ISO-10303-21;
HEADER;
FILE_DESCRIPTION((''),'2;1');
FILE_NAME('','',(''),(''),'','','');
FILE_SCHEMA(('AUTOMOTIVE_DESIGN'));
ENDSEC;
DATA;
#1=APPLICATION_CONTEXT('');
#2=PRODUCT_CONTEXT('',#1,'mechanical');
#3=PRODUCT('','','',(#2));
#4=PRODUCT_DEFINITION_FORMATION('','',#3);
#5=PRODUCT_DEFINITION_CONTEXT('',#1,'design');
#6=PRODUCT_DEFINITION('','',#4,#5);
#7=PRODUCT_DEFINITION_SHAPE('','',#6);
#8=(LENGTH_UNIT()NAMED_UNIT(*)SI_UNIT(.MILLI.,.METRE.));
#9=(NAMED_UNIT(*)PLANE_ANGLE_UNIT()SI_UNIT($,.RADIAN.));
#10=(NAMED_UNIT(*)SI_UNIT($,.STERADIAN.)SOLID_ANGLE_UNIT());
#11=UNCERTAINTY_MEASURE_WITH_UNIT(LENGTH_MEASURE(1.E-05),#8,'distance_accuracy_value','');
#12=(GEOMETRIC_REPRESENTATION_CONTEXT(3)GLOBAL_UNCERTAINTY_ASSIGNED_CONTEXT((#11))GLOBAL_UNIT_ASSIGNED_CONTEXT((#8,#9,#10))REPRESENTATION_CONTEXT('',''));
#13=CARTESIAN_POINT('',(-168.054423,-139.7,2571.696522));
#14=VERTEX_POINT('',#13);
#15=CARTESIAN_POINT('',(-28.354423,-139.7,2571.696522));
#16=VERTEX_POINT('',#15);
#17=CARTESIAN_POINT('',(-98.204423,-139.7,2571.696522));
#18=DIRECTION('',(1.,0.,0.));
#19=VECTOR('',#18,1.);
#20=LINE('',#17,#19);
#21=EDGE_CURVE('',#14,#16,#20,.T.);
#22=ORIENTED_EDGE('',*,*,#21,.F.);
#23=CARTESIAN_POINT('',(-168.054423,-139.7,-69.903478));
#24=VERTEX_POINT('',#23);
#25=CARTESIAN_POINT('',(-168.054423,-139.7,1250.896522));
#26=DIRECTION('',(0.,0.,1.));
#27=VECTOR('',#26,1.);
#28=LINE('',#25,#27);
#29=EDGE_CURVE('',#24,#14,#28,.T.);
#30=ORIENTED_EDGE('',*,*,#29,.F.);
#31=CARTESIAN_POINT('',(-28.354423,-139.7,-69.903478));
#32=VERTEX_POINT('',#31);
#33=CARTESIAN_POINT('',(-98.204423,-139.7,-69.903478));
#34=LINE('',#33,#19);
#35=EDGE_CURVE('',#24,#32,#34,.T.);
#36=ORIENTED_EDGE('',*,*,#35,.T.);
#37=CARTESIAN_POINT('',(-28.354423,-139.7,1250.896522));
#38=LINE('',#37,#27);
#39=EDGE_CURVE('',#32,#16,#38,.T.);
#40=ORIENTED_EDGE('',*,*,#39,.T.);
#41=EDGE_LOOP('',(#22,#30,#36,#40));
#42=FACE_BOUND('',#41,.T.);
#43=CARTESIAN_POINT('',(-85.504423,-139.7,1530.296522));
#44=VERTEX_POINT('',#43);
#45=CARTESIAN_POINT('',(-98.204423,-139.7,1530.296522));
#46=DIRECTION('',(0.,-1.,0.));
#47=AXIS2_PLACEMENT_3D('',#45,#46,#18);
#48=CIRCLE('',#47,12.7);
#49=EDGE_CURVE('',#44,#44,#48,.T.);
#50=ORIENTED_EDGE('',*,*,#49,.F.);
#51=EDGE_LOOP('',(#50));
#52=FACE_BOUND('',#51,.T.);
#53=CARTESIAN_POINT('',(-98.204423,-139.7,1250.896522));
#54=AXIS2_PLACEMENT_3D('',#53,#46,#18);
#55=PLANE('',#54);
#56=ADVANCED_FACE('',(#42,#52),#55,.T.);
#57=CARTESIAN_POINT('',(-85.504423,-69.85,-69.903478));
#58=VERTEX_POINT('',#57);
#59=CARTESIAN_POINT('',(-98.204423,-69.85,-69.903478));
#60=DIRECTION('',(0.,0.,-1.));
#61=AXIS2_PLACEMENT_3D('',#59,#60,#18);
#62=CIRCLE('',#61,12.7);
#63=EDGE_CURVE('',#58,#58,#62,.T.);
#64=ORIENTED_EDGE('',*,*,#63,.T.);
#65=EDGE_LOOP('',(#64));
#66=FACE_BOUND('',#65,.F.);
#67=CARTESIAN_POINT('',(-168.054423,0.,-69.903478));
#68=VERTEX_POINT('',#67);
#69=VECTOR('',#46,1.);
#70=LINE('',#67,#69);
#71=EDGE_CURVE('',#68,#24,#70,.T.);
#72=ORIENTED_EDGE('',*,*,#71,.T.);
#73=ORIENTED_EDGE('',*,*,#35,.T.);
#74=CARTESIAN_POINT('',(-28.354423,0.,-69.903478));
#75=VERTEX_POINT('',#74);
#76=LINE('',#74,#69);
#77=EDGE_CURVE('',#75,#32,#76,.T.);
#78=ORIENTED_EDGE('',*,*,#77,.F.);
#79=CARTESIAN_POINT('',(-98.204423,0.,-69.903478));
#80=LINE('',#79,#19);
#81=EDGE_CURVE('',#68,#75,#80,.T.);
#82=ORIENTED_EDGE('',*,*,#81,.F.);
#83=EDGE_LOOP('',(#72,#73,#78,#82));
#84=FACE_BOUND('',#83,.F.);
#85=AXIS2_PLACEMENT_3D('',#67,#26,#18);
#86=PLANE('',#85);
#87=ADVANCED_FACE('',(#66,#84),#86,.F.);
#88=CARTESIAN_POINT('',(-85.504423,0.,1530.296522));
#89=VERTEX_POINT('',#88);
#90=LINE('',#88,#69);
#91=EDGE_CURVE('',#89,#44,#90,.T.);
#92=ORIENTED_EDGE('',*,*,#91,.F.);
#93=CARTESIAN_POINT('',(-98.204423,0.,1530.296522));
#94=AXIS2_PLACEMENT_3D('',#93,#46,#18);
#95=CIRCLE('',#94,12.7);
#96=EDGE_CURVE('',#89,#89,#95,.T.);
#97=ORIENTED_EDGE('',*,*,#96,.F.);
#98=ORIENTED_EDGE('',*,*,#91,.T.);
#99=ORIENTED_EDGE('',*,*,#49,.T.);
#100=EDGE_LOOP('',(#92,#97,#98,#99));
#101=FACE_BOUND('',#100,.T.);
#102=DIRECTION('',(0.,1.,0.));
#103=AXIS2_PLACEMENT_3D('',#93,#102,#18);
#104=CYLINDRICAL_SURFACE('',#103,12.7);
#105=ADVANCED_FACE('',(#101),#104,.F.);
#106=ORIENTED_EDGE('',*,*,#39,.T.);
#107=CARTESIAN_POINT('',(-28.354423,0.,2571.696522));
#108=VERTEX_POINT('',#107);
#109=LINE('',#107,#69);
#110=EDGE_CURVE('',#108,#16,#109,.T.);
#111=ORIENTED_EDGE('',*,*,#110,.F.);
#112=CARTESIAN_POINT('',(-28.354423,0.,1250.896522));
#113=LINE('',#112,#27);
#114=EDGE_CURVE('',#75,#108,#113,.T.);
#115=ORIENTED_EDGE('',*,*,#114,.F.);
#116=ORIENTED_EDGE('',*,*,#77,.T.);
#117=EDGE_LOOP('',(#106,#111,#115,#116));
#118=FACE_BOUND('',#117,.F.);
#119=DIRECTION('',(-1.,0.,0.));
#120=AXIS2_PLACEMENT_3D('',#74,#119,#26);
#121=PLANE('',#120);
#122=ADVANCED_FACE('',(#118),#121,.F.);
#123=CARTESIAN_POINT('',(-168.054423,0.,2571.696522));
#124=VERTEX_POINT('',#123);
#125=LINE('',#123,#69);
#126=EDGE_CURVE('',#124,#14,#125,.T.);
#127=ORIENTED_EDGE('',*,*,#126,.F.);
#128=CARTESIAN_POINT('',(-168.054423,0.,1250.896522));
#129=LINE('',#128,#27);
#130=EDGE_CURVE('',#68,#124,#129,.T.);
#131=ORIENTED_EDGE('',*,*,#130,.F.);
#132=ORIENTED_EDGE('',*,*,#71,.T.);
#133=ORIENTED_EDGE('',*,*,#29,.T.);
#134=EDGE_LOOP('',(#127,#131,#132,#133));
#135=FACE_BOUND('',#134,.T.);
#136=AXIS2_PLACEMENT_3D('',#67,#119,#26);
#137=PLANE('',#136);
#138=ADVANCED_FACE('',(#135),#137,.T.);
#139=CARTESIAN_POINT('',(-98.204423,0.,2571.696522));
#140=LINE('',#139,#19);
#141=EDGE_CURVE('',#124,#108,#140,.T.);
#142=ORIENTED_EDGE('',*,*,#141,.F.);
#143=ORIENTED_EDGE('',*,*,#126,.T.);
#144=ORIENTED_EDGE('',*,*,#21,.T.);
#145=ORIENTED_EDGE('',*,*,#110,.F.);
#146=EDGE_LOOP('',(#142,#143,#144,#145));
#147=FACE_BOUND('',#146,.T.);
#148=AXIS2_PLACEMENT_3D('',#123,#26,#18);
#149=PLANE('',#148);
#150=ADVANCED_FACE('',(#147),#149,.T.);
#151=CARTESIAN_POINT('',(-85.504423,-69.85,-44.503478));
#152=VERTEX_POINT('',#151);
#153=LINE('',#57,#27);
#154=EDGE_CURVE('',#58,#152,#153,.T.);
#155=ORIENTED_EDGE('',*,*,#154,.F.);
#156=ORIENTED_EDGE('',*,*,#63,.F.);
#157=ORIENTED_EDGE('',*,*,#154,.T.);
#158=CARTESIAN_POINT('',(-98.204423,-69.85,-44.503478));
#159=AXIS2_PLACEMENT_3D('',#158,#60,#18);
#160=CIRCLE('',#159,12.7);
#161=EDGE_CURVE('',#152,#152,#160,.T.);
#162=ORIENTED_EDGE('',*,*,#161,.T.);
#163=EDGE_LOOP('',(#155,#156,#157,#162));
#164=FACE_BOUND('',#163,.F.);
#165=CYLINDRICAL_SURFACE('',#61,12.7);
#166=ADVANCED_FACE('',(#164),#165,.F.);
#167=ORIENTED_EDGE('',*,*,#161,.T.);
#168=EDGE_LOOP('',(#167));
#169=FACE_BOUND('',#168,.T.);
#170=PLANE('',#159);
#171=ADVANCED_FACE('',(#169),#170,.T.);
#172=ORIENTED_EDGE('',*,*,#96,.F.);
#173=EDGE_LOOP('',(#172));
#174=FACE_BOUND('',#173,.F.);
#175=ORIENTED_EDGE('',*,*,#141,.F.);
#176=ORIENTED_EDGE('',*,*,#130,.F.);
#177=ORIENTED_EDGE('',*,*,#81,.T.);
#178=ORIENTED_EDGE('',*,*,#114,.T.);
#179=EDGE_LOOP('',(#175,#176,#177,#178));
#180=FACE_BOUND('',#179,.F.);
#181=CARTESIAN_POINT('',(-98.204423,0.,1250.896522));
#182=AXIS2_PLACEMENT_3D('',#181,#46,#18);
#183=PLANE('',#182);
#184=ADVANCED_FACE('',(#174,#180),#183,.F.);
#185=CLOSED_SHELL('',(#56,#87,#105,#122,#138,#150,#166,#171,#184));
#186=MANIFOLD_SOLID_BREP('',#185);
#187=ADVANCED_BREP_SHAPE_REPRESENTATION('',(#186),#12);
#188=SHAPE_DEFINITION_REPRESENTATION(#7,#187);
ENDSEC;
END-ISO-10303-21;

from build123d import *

# Parameters (mm, degrees)
F0_W     = 139.7
F0_H     = 2641.6
F0_R     = 12.7
F1_DEPTH = 139.7
F2_R     = 12.7
F3_DEPTH = 25.4


with BuildPart() as f1:
    # F0 (on Front) → F1 (new body)
    with BuildSketch(Plane.XZ):
        with Locations((-98.204423, 1250.896522)):
            Rectangle(F0_W, F0_H)
        with Locations((-98.204423, 1530.296522)):
            Circle(F0_R, mode=Mode.SUBTRACT)
    extrude(amount=F1_DEPTH)

    # F2 (on face) → F3 (cut)
    with BuildSketch(Plane(origin=(0, 0, -69.903478), x_dir=(1, 0, 0), z_dir=(0, 0, -1))):
        with Locations((-98.204423, 69.85)):
            Circle(F2_R)
    extrude(amount=-F3_DEPTH, mode=Mode.SUBTRACT)


solid = f1.part
